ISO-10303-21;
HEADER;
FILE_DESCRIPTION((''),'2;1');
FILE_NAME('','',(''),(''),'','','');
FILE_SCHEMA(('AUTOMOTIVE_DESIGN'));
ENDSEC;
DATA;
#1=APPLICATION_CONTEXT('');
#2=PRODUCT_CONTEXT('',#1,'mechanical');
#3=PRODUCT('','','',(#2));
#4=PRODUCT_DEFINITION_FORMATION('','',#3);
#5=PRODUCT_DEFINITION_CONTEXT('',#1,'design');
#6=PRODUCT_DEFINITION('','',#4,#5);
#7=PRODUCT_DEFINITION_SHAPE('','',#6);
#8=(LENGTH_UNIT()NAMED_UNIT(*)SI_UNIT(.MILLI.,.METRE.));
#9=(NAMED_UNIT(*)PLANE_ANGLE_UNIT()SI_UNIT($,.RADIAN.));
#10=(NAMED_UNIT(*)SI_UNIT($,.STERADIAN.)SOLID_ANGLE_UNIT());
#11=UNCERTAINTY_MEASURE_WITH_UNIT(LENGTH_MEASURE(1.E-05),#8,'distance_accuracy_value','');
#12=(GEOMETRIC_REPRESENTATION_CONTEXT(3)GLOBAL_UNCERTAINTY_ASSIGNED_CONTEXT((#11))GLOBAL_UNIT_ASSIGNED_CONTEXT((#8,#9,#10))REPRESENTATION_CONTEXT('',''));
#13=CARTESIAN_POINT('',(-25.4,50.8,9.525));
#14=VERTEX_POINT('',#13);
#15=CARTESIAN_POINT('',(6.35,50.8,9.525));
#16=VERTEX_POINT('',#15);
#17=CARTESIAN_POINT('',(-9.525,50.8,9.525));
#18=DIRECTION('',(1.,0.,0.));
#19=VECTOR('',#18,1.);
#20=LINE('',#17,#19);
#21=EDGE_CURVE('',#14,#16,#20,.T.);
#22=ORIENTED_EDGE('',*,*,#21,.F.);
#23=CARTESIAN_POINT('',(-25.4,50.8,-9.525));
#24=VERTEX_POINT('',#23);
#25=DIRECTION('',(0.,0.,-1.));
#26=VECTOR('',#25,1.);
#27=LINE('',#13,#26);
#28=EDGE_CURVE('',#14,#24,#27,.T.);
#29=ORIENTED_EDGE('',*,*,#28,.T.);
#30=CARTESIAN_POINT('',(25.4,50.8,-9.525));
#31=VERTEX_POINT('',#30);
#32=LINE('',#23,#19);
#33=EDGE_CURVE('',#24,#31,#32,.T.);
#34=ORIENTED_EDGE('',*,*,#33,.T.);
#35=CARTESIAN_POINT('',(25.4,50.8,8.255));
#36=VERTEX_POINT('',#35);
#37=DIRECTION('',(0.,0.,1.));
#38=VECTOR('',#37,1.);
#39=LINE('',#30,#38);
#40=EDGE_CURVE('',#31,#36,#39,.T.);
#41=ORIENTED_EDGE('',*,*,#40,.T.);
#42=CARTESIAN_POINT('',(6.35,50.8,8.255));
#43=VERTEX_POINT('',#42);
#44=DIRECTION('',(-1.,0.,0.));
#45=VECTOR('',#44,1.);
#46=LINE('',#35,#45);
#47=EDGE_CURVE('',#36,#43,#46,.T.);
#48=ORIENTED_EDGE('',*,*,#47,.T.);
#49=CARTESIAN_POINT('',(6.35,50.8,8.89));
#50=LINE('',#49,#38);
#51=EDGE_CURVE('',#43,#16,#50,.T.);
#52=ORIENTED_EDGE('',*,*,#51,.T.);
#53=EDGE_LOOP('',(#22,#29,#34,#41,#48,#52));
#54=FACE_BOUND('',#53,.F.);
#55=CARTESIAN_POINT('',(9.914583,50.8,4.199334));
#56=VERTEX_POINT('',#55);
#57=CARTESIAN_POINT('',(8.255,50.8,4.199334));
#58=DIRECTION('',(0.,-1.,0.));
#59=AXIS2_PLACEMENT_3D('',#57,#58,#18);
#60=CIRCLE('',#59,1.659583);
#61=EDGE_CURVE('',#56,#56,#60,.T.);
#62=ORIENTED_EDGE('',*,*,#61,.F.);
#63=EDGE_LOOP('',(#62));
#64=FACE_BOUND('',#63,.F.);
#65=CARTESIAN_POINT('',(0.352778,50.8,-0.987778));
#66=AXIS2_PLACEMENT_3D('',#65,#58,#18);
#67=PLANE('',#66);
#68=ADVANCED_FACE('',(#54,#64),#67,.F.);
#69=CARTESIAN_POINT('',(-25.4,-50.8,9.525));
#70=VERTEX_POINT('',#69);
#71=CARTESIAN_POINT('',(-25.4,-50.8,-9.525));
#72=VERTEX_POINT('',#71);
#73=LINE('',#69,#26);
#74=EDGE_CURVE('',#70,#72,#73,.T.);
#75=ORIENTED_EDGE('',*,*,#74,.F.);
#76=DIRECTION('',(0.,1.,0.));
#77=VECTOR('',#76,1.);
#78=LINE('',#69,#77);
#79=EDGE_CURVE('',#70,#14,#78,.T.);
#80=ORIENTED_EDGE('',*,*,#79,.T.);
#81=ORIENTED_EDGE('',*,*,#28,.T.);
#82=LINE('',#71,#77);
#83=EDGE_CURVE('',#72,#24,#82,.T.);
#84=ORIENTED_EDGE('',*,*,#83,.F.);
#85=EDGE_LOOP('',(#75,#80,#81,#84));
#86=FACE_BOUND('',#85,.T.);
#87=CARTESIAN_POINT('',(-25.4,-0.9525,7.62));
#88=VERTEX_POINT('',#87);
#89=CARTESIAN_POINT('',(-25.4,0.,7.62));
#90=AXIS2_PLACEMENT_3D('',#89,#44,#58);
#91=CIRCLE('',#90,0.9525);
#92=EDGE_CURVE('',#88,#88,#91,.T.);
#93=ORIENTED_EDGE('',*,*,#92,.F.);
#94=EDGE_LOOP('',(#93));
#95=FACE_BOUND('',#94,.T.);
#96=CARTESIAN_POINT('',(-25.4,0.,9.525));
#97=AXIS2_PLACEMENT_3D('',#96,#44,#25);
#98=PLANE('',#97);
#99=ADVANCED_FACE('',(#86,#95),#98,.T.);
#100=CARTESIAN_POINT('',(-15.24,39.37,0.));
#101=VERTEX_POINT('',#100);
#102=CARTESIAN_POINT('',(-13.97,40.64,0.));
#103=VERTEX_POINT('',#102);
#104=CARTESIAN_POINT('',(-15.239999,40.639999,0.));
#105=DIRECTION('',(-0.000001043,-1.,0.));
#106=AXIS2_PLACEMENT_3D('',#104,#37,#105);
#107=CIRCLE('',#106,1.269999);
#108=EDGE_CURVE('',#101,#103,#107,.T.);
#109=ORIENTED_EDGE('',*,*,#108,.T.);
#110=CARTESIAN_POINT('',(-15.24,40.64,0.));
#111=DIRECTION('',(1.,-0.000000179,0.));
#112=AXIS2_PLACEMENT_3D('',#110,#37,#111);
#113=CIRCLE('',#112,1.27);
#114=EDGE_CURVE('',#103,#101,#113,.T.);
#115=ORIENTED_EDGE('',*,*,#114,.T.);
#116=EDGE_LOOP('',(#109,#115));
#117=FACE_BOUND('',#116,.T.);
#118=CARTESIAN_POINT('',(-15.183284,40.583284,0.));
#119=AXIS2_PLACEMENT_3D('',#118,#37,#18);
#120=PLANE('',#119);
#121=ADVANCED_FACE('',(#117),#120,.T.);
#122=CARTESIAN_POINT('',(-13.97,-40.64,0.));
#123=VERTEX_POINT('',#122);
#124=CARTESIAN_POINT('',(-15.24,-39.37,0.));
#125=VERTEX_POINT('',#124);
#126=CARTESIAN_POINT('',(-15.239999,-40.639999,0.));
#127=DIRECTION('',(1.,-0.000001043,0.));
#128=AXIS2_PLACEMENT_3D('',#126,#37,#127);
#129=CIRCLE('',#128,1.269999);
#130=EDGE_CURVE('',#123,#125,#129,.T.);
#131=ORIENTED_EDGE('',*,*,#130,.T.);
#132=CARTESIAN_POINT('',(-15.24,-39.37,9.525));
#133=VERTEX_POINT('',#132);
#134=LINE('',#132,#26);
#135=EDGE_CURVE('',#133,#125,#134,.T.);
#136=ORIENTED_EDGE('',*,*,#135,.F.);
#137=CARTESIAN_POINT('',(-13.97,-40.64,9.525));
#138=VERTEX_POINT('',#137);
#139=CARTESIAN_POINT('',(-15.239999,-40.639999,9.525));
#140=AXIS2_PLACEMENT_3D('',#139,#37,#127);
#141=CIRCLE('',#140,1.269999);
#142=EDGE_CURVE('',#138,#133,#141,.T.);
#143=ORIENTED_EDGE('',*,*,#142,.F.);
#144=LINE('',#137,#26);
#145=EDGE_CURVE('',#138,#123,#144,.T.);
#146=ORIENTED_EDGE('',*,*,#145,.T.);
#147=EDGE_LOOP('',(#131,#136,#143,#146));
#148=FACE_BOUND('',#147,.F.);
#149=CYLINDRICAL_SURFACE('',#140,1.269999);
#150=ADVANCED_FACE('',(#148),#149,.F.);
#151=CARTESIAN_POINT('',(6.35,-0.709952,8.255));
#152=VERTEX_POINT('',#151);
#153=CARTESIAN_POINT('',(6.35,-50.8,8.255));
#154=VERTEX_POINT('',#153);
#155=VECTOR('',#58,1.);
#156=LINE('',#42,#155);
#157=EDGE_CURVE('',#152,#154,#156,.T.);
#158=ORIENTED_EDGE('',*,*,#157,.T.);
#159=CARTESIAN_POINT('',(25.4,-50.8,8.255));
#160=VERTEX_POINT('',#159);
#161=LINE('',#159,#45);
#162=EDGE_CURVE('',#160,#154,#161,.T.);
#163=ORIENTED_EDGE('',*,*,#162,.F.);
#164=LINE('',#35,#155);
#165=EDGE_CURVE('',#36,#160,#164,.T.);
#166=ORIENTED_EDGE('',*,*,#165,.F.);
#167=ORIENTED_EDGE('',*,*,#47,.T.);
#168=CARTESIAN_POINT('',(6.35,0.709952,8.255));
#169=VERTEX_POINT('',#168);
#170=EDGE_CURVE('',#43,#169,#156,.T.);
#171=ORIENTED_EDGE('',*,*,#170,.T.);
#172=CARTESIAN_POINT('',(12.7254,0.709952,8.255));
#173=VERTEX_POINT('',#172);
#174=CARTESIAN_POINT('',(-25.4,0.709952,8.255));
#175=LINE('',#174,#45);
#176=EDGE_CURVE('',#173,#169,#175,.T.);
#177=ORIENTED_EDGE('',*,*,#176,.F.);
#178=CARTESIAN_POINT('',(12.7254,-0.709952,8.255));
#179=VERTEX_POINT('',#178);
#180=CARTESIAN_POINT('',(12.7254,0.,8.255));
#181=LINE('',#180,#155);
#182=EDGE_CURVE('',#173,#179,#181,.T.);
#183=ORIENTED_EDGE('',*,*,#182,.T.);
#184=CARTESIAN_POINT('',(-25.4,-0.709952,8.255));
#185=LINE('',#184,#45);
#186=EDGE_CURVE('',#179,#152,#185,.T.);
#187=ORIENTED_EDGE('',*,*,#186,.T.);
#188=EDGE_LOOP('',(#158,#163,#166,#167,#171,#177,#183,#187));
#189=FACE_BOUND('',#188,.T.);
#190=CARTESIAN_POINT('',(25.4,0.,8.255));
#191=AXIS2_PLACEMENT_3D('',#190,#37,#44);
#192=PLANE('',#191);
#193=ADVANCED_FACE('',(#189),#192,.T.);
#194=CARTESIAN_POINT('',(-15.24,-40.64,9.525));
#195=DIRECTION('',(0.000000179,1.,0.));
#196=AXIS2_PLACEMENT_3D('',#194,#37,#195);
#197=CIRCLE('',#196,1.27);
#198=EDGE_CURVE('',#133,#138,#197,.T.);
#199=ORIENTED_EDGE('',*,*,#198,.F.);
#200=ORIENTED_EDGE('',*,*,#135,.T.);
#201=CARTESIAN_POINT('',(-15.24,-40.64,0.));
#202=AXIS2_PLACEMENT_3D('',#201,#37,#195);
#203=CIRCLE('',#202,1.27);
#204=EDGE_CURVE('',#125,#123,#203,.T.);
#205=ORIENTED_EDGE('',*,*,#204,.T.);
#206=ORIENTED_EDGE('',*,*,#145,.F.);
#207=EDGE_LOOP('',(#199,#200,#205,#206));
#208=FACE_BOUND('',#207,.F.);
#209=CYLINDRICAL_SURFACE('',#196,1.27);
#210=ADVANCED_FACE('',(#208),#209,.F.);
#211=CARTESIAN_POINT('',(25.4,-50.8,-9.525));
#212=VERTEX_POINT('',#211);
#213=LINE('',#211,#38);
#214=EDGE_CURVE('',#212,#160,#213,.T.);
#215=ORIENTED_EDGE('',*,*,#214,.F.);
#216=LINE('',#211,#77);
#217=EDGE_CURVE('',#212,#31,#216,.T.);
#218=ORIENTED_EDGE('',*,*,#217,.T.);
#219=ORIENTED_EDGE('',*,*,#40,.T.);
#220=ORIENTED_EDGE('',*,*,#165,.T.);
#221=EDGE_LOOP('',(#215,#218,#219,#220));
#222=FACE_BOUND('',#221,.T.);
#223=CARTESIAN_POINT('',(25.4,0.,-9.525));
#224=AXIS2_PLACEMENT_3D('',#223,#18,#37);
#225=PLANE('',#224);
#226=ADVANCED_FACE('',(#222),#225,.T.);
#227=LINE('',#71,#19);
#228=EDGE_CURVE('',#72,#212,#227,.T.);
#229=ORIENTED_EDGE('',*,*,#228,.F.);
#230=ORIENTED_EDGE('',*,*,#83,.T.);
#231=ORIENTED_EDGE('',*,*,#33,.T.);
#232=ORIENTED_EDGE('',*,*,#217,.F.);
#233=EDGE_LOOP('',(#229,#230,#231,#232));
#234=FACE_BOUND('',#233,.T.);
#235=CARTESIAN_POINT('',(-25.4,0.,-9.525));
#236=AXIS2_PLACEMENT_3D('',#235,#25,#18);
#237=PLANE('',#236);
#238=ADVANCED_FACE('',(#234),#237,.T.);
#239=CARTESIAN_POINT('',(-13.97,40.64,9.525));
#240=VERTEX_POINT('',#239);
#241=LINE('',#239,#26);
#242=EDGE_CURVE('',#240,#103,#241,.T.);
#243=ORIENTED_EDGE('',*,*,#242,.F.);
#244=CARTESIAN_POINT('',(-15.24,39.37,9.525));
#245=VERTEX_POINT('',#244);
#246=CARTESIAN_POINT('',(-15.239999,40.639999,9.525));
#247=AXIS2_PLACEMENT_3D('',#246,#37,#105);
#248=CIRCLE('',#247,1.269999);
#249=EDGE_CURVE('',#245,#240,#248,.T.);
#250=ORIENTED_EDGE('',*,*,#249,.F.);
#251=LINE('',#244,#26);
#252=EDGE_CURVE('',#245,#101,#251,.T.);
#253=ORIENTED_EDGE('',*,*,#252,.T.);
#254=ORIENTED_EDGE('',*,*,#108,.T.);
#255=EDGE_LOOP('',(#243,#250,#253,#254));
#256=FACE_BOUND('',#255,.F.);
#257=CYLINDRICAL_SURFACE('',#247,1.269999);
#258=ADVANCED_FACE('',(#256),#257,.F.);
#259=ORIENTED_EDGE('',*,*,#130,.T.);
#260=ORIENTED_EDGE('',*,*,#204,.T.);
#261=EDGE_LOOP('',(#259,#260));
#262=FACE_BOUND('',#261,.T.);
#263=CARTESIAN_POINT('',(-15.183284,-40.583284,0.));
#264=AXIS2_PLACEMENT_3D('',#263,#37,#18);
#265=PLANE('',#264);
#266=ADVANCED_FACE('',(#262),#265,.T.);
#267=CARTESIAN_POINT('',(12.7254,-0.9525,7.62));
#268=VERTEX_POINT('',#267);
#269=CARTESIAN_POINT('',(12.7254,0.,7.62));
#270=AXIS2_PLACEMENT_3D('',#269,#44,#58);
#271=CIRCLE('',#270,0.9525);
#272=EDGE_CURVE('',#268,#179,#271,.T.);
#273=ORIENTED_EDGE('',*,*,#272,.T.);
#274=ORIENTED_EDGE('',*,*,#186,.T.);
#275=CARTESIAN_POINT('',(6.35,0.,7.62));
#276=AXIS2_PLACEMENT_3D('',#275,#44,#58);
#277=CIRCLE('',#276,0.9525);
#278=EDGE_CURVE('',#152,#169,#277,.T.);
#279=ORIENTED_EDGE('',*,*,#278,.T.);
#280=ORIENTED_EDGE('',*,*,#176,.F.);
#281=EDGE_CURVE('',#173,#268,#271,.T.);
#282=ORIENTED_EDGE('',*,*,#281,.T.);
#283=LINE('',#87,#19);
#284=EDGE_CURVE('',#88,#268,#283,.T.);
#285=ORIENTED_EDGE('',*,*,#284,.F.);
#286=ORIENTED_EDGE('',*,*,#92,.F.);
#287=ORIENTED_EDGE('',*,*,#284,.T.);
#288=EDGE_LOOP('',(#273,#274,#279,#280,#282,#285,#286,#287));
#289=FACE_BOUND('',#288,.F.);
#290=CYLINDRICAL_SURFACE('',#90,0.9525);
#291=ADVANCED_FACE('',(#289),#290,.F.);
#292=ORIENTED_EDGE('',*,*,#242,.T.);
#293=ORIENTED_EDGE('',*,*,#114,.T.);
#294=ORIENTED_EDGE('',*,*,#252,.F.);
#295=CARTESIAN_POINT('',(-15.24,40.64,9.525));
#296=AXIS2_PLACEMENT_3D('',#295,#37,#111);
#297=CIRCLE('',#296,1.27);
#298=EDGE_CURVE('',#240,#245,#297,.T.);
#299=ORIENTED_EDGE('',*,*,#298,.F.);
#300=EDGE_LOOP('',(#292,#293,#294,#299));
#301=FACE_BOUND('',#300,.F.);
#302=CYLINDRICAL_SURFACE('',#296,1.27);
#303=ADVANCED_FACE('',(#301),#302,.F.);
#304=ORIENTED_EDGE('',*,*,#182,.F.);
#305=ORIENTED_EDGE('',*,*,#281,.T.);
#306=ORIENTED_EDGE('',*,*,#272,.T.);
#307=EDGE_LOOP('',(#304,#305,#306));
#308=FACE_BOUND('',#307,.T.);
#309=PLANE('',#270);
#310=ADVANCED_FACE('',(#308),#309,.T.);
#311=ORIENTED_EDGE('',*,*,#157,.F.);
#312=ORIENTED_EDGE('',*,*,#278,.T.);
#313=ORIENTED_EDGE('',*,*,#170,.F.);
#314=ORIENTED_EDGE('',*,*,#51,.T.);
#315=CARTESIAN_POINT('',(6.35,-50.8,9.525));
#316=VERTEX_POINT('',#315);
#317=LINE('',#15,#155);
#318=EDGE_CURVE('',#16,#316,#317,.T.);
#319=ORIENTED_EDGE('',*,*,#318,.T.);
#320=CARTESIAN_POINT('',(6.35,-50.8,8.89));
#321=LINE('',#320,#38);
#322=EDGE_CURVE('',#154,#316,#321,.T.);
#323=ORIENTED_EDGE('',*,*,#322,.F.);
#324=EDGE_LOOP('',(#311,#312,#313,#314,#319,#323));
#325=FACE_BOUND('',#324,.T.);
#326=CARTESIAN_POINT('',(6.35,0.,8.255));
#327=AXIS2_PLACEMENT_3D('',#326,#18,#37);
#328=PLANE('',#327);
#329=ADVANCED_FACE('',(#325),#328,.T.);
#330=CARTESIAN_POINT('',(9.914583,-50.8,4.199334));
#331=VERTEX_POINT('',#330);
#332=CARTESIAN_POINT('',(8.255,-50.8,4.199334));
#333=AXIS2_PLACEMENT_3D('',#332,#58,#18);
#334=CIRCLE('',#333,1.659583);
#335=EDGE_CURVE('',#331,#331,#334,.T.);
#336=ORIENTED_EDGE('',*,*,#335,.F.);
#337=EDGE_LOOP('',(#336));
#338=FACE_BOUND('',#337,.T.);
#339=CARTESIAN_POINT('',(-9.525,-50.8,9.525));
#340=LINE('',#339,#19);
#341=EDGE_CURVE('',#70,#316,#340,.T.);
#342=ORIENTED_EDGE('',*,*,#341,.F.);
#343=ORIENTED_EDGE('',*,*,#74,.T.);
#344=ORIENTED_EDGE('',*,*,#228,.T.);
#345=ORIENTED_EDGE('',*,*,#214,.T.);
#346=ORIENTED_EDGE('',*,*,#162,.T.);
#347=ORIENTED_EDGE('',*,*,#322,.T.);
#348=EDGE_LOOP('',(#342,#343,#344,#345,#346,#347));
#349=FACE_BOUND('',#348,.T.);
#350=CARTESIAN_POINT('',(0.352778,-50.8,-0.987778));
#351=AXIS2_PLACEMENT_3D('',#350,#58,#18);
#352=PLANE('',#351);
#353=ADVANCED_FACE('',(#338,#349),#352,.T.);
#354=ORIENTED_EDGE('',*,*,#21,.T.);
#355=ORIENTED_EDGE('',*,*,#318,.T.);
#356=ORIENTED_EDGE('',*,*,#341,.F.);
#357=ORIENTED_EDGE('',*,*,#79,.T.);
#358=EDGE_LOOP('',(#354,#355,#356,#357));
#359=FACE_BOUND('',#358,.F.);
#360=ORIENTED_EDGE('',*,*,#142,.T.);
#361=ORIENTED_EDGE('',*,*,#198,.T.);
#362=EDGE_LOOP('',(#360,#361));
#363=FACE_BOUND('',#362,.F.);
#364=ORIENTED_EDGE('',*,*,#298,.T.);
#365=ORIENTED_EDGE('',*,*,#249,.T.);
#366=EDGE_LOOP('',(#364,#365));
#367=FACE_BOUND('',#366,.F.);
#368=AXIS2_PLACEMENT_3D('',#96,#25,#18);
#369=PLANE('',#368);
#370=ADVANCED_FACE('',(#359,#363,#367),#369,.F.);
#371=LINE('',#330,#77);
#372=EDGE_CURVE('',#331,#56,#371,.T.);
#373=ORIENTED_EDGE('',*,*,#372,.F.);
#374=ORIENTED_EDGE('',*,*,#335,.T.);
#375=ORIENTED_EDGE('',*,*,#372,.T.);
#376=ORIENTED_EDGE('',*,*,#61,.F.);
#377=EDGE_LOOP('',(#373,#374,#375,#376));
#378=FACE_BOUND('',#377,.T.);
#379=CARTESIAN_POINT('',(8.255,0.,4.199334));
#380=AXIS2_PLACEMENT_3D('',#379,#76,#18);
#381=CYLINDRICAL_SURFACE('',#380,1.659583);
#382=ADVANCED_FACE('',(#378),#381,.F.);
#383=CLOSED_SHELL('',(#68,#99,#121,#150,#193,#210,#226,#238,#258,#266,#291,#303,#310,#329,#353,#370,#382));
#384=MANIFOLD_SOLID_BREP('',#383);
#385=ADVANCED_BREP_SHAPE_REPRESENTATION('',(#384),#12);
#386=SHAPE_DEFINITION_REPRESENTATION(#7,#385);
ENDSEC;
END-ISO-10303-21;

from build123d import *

# Parameters (mm, degrees)
F0_R     = 1.659583
F0_W     = 31.75
F0_H     = 1.27
F1_DEPTH = 50.8
F2_R     = 0.9525
F3_DEPTH = 38.1254
F5_DEPTH = 9.525


with BuildPart() as f1:
    # F0 (on Front) → F1 (new body, symmetric)
    with BuildSketch(Plane.XZ):
        Polygon((25.4, -9.525), (25.4, 8.255), (12.7, 8.255), (12.7, 6.985), (-25.4, 6.985), (-25.4, -9.525), align=None)
        with Locations((8.255, 4.199334)):
            Circle(F0_R, mode=Mode.SUBTRACT)
        Polygon((12.7, 8.255), (6.35, 8.255), (-25.4, 8.255), (-25.4, 6.985), (12.7, 6.985), align=None)
        with Locations((-9.525, 8.89)):
            Rectangle(F0_W, F0_H)
    extrude(amount=F1_DEPTH, both=True)

    # F2 (on face) → F3 (cut)
    with BuildSketch(Plane(origin=(-25.4, 0, 0), x_dir=(0, -1, 0), z_dir=(-1, 0, 0))):
        with Locations((0, 7.62)):
            Circle(F2_R)
    extrude(amount=-F3_DEPTH, mode=Mode.SUBTRACT)

    # F4 (on face) → F5 (cut)
    with BuildSketch(Plane.XY.offset(9.525)):
        with BuildLine():
            ThreePointArc((-13.97, 40.64), (-16.138026, 41.538026), (-15.24, 39.37))
            ThreePointArc((-15.24, 39.37), (-14.341974, 39.741974), (-13.97, 40.64))
        make_face()
        with BuildLine():
            ThreePointArc((-13.97, -40.64), (-14.341974, -39.741974), (-15.24, -39.37))
            ThreePointArc((-15.24, -39.37), (-16.138026, -41.538026), (-13.97, -40.64))
        make_face()
    extrude(amount=-F5_DEPTH, mode=Mode.SUBTRACT)


solid = f1.part
